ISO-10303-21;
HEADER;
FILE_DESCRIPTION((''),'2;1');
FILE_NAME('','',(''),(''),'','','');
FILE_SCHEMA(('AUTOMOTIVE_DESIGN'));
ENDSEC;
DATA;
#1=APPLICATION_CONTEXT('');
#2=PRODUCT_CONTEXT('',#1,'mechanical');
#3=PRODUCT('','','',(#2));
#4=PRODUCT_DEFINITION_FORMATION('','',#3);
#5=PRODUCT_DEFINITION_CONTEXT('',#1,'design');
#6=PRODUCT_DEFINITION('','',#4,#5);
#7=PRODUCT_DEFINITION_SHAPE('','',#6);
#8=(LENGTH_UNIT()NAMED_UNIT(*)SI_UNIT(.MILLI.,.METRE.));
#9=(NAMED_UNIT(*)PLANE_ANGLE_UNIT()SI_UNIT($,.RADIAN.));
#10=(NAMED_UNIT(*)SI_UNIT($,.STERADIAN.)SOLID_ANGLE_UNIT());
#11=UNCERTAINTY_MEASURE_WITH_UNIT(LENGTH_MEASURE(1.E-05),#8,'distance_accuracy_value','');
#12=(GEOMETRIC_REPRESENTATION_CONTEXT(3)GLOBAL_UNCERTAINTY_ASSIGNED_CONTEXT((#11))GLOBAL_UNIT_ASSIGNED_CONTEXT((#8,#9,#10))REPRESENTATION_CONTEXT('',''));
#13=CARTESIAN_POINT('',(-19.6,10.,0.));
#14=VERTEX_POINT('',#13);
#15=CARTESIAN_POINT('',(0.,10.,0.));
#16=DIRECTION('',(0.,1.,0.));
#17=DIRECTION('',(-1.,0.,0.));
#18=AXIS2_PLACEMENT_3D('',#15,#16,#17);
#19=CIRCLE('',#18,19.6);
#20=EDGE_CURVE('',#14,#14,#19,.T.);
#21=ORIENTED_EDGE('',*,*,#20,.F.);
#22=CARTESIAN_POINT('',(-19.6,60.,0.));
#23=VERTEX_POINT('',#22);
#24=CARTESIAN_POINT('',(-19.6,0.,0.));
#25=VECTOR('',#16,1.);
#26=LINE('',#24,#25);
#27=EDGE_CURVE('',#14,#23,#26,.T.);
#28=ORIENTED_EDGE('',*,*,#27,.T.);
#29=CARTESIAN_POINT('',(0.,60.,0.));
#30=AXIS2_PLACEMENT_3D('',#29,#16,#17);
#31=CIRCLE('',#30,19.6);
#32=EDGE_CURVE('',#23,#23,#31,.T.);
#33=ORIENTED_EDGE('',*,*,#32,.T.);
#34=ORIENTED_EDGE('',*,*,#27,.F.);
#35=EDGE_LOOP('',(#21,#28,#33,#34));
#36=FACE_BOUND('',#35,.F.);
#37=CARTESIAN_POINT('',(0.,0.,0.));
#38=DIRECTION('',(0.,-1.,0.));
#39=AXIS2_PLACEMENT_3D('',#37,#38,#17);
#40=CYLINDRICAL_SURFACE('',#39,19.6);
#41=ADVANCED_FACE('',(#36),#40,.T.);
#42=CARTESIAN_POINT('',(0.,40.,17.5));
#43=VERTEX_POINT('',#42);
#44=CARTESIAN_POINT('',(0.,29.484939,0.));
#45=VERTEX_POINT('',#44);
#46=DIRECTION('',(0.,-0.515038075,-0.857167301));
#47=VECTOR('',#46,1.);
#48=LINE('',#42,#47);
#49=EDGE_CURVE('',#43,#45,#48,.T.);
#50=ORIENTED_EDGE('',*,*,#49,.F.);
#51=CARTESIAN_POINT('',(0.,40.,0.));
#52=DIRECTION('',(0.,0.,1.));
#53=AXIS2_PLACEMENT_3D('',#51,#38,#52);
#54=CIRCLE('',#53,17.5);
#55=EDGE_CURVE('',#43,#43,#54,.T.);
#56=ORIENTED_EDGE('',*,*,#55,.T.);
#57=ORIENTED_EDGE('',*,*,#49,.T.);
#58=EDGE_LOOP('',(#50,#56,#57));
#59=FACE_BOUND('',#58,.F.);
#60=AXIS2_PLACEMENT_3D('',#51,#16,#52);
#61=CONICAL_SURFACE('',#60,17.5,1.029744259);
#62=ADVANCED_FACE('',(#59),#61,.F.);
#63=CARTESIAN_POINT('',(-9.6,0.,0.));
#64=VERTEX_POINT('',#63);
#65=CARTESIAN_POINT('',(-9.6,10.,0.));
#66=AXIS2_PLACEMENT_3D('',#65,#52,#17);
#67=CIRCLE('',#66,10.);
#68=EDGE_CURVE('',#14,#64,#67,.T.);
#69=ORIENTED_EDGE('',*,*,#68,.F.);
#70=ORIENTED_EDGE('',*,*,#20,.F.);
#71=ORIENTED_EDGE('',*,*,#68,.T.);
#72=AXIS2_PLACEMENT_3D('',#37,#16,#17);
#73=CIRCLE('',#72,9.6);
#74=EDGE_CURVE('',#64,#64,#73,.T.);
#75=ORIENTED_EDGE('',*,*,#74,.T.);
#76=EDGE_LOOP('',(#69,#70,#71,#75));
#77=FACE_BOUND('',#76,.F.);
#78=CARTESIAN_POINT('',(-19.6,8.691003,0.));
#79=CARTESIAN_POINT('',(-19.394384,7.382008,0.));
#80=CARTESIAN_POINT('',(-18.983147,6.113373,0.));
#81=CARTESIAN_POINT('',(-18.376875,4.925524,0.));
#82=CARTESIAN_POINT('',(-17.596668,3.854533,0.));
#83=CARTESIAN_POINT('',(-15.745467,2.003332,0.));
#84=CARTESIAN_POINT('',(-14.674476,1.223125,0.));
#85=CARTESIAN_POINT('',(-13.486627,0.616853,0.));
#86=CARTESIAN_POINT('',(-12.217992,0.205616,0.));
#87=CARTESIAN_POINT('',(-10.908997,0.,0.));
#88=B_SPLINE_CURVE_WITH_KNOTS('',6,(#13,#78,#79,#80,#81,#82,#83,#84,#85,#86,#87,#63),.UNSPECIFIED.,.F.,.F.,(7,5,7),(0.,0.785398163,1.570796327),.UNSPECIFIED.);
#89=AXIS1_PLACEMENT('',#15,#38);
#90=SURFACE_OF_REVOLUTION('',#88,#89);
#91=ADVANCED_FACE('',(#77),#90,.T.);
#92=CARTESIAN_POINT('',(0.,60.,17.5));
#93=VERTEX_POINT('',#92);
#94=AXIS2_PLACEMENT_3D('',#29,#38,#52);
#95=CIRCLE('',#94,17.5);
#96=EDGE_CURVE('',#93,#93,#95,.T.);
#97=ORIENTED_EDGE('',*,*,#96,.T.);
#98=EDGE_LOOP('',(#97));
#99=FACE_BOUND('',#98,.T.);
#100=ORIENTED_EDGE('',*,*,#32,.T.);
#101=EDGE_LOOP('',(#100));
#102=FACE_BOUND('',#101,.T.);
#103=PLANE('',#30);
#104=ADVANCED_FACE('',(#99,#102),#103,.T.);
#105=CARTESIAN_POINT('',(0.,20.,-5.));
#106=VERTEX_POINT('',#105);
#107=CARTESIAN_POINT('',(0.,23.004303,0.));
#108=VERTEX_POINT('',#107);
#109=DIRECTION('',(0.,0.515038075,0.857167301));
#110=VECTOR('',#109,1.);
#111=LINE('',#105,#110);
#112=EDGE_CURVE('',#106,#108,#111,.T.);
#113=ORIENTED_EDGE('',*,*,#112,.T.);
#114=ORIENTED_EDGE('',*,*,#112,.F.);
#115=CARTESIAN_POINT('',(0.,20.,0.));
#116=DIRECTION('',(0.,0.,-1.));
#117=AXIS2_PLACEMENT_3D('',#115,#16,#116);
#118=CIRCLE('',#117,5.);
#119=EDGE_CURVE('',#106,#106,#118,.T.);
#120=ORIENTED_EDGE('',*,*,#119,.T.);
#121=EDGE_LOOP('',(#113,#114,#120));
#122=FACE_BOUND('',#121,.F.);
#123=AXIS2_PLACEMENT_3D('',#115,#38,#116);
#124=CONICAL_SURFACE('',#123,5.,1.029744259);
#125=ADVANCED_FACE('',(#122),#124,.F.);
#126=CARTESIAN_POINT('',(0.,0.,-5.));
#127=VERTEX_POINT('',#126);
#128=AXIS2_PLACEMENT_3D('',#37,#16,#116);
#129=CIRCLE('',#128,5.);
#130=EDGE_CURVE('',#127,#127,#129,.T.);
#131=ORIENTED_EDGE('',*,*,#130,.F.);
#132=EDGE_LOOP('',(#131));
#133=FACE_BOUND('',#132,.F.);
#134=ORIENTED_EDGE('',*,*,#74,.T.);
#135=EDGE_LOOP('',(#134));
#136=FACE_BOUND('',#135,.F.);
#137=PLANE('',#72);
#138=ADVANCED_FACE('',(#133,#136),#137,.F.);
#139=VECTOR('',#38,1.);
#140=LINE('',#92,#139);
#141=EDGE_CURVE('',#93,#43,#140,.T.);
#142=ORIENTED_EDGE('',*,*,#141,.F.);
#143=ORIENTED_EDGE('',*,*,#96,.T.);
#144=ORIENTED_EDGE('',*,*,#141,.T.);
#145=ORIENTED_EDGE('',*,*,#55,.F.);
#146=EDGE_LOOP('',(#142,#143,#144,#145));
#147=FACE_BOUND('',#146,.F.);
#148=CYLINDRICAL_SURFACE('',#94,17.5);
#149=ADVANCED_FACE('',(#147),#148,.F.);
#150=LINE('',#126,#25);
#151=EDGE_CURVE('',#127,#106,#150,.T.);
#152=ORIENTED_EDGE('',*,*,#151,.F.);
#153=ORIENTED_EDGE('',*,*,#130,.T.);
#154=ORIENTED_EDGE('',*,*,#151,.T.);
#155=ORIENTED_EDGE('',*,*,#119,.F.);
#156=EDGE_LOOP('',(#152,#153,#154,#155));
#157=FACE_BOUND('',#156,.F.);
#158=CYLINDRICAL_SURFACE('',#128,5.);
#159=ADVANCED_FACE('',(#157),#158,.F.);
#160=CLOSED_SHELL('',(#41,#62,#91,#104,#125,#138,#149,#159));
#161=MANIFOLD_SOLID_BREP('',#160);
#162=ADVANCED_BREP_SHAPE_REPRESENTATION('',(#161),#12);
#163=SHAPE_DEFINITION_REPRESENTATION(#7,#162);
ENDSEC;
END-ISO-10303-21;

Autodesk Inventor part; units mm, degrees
ref_plane "YZ Plane" through (0, 0, 0) normal (1, 0, 0) x (0, 1, 0)
ref_plane "XZ Plane" through (0, 0, 0) normal (0, 1, 0) x (-1, 0, 0)
ref_plane "XY Plane" through (0, 0, 0) normal (0, 0, 1) x (1, 0, 0)
sketch "Boceto1" plane through (0, 0, 0) normal (0, 1, 0) x (-1, 0, 0)
  circle A0 centre (0, 0) radius 19.6
  dimension "d0" = 39.2
extrude "Extrusión1" add sketch "Boceto1" along normal blind 60
sketch "Boceto2" plane through (0, 60, 0) normal (0, 1, 0) x (1, 0, 0)
  circle A0 centre (0, 0) radius 19.6 projected
hole "Agujero1" at (0, 60, 0) direction (0, -1, 0) diameter 35 depth 20 tip angle 118
sketch "Boceto3" plane through (0, 0, 0) normal (0, -1, 0) x (1, 0, 0)
  circle A0 centre (0, 0) radius 19.6 projected
hole "Agujero2" at (0, 0, 0) direction (0, 1, 0) diameter 10 depth 20 tip angle 118
thread "Rosca1" size "M10x1.5" class "6H" standard "ANSI Metric M Profile" full length
fillet "Empalme1" radius 10 1 edges at (19.6, 0, 0)
properties part number "Casquillo"
